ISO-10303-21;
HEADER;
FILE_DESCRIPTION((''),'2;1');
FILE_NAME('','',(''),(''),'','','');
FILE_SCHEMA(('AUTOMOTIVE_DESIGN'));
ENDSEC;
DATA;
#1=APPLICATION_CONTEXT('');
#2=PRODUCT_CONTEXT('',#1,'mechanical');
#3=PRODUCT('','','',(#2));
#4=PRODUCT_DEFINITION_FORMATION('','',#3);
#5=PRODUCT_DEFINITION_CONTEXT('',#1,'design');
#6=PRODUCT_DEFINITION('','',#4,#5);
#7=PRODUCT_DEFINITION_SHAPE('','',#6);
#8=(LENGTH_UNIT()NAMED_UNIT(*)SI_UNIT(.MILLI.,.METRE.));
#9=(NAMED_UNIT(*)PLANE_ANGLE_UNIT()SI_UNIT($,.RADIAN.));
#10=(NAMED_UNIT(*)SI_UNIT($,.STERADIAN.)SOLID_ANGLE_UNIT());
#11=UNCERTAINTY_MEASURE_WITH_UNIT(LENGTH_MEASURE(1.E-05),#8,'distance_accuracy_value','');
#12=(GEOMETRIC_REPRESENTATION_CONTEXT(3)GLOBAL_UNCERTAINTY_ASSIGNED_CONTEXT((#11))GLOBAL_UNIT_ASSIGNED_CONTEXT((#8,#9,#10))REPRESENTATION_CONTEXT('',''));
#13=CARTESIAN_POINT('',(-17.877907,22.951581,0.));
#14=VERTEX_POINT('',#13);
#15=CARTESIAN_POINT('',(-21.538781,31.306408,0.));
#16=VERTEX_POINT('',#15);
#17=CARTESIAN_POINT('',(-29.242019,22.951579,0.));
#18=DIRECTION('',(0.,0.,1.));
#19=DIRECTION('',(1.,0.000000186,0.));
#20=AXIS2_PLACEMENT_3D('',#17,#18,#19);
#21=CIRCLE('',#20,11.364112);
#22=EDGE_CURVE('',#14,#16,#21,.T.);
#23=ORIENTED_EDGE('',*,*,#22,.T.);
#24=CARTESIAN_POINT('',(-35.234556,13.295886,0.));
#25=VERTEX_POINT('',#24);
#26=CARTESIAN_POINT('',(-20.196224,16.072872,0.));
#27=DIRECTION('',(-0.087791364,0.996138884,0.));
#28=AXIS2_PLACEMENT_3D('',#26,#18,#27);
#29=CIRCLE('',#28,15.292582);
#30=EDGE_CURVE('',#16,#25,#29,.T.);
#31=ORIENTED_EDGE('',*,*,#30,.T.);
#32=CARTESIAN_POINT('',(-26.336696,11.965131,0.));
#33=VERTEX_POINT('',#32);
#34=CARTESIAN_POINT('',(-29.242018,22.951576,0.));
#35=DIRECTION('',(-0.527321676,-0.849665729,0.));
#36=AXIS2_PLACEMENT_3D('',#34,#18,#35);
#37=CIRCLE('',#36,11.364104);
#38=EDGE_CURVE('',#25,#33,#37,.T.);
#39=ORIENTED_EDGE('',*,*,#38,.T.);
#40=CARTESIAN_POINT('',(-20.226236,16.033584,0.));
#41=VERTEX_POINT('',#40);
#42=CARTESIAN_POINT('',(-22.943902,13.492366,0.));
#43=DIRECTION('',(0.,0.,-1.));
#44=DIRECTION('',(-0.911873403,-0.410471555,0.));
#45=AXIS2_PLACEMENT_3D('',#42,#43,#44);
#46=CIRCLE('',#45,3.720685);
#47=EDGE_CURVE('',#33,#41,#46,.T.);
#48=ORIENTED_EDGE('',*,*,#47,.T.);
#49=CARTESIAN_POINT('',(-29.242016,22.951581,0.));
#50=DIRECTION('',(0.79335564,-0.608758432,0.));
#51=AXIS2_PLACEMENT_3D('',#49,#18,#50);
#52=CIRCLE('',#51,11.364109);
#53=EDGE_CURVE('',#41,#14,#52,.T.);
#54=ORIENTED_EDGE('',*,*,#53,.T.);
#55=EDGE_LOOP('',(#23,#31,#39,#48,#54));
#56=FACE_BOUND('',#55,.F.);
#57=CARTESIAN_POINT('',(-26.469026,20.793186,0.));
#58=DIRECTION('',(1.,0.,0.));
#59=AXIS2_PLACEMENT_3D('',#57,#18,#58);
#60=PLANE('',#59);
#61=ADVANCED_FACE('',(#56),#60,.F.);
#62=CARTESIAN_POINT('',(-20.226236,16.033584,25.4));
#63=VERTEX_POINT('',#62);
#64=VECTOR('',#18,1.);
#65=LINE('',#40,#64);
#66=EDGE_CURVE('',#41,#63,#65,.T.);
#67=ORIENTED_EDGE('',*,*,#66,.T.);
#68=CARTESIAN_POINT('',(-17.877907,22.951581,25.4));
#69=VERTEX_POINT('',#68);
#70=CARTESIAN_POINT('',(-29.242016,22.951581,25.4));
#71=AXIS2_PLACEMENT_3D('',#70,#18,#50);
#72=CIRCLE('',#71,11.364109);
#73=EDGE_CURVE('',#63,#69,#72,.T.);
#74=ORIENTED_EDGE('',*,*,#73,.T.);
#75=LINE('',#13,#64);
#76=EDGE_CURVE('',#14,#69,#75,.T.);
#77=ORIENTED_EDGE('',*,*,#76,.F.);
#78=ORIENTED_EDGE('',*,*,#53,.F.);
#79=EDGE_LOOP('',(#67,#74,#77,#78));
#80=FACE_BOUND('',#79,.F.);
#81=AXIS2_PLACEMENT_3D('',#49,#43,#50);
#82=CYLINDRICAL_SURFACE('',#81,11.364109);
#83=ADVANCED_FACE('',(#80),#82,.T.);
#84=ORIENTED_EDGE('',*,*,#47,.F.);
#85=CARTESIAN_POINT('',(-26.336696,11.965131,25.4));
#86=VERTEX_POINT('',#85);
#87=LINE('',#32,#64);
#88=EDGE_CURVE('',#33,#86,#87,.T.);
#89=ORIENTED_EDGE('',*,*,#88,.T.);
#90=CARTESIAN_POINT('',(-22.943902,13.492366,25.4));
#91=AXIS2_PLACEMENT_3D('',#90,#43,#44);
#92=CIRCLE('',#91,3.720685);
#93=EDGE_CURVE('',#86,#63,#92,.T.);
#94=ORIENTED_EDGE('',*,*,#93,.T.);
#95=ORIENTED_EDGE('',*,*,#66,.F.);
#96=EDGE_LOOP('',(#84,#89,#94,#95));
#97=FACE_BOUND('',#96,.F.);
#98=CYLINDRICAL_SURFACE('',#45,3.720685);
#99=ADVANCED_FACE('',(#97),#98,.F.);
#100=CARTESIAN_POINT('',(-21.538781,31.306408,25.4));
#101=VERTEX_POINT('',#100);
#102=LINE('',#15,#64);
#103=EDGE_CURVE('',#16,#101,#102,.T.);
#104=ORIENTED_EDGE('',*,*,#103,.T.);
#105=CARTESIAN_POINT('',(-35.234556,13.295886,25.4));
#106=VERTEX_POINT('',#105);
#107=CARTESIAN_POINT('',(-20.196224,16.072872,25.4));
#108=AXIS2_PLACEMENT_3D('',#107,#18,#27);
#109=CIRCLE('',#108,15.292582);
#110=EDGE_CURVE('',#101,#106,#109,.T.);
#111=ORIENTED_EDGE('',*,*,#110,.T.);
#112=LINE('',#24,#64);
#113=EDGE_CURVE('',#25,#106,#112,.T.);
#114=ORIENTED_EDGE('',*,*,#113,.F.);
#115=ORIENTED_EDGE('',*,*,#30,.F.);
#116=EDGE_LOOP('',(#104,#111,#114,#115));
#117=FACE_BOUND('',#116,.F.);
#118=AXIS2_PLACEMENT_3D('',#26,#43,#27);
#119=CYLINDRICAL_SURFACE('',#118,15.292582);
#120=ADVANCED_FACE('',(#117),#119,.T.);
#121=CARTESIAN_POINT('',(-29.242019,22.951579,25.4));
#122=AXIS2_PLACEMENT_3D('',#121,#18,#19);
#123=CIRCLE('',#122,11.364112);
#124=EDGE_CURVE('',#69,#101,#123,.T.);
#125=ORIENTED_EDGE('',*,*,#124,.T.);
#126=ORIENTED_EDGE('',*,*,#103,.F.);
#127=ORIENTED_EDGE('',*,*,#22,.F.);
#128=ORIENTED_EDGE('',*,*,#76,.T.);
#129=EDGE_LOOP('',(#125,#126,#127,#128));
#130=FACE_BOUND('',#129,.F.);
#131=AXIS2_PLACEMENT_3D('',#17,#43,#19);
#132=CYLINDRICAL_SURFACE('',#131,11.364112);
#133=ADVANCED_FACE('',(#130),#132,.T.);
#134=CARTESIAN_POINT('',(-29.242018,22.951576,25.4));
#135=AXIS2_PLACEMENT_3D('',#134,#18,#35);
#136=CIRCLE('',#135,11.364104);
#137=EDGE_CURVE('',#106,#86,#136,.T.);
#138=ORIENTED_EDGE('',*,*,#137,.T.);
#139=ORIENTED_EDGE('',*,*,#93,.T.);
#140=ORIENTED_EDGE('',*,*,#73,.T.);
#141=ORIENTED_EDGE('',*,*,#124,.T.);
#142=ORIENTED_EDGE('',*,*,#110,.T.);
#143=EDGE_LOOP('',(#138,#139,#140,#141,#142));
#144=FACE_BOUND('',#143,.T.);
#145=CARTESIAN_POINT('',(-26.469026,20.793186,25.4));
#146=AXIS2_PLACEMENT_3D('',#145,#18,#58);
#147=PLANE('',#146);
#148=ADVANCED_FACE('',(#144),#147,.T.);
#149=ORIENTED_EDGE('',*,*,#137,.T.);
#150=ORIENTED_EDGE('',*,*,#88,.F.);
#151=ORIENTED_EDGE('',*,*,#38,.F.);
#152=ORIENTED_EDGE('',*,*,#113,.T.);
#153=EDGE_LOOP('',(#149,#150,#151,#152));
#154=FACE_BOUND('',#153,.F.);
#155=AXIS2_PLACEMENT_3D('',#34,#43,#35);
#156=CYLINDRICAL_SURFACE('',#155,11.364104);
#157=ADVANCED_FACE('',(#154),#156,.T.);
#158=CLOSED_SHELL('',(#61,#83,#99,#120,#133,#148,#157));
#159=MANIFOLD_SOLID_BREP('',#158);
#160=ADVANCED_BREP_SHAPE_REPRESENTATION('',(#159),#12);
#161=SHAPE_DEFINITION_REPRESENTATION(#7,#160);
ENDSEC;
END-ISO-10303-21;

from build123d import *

# Parameters (mm, degrees)
F1_DEPTH = 25.4


with BuildPart() as f1:
    # F0 (on Top) → F1 (new body)
    with BuildSketch(Plane.XY):
        with BuildLine():
            ThreePointArc((-20.226236, 16.033584), (-18.480992, 19.298728), (-17.877907, 22.951581))
            ThreePointArc((-17.877907, 22.951581), (-18.833285, 27.512423), (-21.538781, 31.306408))
            ThreePointArc((-21.538781, 31.306408), (-32.369067, 25.32949), (-35.234556, 13.295886))
            ThreePointArc((-35.234556, 13.295886), (-30.922926, 11.712474), (-26.336696, 11.965131))
            ThreePointArc((-26.336696, 11.965131), (-25.005947, 16.589376), (-20.226236, 16.033584))
        make_face()
    extrude(amount=F1_DEPTH)


solid = f1.part
